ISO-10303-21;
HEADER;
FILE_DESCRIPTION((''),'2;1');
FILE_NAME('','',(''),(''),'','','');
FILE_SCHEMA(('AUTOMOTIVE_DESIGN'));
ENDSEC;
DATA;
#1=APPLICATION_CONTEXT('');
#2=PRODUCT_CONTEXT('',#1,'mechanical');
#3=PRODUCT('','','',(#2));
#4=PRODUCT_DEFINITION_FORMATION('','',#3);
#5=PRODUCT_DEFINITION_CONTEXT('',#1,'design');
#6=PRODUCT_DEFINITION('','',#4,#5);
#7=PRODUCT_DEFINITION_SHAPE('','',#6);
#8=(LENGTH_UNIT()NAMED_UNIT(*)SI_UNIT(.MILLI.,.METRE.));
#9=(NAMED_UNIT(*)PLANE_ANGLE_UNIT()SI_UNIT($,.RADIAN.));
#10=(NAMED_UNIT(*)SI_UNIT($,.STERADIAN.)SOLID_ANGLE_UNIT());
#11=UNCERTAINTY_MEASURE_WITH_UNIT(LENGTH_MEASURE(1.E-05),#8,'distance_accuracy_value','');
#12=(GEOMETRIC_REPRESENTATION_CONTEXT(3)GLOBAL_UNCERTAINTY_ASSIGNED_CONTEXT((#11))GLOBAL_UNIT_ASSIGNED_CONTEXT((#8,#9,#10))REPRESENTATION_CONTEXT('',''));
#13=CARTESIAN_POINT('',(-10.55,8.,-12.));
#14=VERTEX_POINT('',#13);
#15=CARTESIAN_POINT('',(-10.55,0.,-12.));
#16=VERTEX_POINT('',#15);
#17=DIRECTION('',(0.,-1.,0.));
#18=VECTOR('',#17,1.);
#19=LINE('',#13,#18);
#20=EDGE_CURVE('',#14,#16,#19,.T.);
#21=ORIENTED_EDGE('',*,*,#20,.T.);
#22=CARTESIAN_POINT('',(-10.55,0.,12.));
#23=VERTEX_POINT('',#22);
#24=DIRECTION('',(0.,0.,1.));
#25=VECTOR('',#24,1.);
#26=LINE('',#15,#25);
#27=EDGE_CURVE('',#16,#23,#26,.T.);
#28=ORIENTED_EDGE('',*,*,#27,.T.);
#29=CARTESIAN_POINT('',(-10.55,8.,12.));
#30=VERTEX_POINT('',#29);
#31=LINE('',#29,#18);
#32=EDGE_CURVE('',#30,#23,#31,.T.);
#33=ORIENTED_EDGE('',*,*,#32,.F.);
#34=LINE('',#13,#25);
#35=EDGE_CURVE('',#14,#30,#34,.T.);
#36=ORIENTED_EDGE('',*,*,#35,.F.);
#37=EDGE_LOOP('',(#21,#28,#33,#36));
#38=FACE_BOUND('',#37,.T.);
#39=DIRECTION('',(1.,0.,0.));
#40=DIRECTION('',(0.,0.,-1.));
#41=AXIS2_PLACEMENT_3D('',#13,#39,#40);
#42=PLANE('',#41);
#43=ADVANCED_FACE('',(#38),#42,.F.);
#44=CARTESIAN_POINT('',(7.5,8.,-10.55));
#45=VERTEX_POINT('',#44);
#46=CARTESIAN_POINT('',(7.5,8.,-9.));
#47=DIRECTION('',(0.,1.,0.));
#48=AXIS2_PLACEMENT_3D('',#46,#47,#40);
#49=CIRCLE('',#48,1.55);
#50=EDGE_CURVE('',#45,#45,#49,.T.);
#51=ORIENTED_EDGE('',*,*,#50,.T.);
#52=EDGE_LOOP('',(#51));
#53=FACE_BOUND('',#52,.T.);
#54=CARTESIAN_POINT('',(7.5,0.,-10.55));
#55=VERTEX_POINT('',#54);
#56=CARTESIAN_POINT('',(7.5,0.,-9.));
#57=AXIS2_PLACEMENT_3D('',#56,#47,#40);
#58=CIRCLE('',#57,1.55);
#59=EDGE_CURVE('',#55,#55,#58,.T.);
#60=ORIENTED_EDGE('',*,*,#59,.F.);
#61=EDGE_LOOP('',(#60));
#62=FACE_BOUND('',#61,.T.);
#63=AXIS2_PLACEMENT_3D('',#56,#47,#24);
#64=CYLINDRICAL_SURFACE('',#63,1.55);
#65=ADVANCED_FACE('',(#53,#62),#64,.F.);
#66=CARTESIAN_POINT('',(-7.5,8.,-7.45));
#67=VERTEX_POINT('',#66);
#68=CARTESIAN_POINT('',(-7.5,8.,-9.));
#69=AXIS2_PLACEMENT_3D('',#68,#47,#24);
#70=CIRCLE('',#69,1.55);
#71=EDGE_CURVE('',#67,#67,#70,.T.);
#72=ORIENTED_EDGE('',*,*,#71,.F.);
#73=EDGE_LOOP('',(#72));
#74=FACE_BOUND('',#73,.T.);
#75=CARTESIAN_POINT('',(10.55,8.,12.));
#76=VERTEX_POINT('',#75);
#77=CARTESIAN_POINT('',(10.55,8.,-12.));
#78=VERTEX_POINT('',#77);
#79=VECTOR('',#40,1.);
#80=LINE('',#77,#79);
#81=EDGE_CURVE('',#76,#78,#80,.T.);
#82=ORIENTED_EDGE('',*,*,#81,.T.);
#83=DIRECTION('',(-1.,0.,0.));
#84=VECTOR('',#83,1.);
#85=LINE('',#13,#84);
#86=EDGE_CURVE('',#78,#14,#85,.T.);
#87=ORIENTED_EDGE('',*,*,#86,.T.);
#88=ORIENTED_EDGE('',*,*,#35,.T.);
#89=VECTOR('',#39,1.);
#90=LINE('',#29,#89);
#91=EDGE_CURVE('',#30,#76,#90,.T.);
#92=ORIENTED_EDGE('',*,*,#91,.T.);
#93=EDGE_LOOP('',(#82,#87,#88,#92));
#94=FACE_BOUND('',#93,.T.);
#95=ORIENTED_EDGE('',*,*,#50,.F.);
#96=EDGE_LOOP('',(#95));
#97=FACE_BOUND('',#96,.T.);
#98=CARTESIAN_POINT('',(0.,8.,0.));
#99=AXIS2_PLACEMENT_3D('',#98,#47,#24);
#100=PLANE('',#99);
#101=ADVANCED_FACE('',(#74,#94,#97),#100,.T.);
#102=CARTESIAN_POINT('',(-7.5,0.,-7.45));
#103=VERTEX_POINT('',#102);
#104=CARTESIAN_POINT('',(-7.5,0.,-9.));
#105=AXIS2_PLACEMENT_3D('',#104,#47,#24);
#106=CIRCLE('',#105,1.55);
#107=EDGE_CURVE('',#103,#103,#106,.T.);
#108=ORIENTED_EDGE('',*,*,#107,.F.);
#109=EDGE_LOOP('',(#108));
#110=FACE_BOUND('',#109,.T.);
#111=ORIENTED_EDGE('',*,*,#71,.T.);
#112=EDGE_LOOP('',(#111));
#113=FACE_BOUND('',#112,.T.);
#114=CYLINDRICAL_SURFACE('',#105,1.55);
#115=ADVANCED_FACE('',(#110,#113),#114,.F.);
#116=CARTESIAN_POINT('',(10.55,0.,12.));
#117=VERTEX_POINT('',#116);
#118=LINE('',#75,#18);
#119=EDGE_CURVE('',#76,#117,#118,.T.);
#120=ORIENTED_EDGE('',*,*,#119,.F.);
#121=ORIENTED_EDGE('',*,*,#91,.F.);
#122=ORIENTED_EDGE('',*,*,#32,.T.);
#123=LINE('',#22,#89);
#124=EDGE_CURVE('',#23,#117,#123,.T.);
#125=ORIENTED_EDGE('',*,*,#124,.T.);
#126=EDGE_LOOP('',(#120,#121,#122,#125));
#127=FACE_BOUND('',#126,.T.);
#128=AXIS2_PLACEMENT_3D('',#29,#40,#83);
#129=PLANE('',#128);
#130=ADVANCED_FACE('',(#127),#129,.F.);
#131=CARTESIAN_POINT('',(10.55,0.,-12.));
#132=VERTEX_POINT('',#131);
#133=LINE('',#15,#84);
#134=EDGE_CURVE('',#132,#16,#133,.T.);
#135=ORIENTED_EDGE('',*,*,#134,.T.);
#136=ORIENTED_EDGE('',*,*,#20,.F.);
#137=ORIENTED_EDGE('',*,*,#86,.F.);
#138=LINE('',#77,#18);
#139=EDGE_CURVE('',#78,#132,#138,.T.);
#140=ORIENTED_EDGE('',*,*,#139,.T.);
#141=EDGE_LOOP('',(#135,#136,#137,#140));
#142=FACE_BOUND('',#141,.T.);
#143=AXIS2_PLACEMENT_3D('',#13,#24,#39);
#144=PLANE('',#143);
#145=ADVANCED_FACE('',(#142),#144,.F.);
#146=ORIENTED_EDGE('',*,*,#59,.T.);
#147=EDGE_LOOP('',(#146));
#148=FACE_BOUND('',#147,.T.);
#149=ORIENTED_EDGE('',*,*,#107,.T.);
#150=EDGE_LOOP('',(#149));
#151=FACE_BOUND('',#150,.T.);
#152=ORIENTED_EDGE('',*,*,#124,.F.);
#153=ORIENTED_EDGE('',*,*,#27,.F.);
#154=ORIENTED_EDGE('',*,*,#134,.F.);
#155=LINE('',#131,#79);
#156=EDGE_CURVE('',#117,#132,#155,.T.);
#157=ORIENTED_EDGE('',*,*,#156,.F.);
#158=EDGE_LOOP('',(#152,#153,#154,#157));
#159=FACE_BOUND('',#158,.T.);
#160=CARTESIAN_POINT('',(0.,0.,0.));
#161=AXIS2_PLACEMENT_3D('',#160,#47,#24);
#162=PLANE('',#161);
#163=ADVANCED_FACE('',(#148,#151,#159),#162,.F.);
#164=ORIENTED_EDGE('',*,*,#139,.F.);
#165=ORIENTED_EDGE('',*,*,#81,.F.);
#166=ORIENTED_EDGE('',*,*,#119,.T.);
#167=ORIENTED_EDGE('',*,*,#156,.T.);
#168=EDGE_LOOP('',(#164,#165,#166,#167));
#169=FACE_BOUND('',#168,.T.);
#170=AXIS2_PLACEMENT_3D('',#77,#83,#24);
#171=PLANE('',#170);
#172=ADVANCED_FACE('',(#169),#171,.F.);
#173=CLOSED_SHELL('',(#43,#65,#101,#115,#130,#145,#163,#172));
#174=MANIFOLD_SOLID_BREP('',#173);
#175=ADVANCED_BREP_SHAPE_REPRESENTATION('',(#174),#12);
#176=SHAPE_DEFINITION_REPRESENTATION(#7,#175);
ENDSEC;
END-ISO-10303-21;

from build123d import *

# Parameters (mm, degrees)
SKETCH_1_W          = 21.1
SKETCH_1_H          = 24
EXTRUDE_1_DEPTH     = 8
SKETCH_2_R          = 1.55
CUT_EXTRUDE_1_DEPTH = 8


with BuildPart() as part:
    # 草图1 → 凸台-拉伸1 (new body)
    with BuildSketch(Plane(origin=(0, 0, 0), x_dir=(1, 0, 0), z_dir=(0, 1, 0))):
        Rectangle(SKETCH_1_W, SKETCH_1_H)
    extrude(amount=EXTRUDE_1_DEPTH)

    # 草图2 → 切除-拉伸1 (cut)
    with BuildSketch(Plane(origin=(0, 8, 0), x_dir=(1, 0, 0), z_dir=(0, 1, 0))):
        with Locations(Location((-7.5, 9, 0), (0, 0, 270))):
            Circle(SKETCH_2_R)
        with Locations(Location((7.5, 9, 0), (0, 0, 90))):
            Circle(SKETCH_2_R)
    extrude(amount=-CUT_EXTRUDE_1_DEPTH, mode=Mode.SUBTRACT)


solid = part.part
